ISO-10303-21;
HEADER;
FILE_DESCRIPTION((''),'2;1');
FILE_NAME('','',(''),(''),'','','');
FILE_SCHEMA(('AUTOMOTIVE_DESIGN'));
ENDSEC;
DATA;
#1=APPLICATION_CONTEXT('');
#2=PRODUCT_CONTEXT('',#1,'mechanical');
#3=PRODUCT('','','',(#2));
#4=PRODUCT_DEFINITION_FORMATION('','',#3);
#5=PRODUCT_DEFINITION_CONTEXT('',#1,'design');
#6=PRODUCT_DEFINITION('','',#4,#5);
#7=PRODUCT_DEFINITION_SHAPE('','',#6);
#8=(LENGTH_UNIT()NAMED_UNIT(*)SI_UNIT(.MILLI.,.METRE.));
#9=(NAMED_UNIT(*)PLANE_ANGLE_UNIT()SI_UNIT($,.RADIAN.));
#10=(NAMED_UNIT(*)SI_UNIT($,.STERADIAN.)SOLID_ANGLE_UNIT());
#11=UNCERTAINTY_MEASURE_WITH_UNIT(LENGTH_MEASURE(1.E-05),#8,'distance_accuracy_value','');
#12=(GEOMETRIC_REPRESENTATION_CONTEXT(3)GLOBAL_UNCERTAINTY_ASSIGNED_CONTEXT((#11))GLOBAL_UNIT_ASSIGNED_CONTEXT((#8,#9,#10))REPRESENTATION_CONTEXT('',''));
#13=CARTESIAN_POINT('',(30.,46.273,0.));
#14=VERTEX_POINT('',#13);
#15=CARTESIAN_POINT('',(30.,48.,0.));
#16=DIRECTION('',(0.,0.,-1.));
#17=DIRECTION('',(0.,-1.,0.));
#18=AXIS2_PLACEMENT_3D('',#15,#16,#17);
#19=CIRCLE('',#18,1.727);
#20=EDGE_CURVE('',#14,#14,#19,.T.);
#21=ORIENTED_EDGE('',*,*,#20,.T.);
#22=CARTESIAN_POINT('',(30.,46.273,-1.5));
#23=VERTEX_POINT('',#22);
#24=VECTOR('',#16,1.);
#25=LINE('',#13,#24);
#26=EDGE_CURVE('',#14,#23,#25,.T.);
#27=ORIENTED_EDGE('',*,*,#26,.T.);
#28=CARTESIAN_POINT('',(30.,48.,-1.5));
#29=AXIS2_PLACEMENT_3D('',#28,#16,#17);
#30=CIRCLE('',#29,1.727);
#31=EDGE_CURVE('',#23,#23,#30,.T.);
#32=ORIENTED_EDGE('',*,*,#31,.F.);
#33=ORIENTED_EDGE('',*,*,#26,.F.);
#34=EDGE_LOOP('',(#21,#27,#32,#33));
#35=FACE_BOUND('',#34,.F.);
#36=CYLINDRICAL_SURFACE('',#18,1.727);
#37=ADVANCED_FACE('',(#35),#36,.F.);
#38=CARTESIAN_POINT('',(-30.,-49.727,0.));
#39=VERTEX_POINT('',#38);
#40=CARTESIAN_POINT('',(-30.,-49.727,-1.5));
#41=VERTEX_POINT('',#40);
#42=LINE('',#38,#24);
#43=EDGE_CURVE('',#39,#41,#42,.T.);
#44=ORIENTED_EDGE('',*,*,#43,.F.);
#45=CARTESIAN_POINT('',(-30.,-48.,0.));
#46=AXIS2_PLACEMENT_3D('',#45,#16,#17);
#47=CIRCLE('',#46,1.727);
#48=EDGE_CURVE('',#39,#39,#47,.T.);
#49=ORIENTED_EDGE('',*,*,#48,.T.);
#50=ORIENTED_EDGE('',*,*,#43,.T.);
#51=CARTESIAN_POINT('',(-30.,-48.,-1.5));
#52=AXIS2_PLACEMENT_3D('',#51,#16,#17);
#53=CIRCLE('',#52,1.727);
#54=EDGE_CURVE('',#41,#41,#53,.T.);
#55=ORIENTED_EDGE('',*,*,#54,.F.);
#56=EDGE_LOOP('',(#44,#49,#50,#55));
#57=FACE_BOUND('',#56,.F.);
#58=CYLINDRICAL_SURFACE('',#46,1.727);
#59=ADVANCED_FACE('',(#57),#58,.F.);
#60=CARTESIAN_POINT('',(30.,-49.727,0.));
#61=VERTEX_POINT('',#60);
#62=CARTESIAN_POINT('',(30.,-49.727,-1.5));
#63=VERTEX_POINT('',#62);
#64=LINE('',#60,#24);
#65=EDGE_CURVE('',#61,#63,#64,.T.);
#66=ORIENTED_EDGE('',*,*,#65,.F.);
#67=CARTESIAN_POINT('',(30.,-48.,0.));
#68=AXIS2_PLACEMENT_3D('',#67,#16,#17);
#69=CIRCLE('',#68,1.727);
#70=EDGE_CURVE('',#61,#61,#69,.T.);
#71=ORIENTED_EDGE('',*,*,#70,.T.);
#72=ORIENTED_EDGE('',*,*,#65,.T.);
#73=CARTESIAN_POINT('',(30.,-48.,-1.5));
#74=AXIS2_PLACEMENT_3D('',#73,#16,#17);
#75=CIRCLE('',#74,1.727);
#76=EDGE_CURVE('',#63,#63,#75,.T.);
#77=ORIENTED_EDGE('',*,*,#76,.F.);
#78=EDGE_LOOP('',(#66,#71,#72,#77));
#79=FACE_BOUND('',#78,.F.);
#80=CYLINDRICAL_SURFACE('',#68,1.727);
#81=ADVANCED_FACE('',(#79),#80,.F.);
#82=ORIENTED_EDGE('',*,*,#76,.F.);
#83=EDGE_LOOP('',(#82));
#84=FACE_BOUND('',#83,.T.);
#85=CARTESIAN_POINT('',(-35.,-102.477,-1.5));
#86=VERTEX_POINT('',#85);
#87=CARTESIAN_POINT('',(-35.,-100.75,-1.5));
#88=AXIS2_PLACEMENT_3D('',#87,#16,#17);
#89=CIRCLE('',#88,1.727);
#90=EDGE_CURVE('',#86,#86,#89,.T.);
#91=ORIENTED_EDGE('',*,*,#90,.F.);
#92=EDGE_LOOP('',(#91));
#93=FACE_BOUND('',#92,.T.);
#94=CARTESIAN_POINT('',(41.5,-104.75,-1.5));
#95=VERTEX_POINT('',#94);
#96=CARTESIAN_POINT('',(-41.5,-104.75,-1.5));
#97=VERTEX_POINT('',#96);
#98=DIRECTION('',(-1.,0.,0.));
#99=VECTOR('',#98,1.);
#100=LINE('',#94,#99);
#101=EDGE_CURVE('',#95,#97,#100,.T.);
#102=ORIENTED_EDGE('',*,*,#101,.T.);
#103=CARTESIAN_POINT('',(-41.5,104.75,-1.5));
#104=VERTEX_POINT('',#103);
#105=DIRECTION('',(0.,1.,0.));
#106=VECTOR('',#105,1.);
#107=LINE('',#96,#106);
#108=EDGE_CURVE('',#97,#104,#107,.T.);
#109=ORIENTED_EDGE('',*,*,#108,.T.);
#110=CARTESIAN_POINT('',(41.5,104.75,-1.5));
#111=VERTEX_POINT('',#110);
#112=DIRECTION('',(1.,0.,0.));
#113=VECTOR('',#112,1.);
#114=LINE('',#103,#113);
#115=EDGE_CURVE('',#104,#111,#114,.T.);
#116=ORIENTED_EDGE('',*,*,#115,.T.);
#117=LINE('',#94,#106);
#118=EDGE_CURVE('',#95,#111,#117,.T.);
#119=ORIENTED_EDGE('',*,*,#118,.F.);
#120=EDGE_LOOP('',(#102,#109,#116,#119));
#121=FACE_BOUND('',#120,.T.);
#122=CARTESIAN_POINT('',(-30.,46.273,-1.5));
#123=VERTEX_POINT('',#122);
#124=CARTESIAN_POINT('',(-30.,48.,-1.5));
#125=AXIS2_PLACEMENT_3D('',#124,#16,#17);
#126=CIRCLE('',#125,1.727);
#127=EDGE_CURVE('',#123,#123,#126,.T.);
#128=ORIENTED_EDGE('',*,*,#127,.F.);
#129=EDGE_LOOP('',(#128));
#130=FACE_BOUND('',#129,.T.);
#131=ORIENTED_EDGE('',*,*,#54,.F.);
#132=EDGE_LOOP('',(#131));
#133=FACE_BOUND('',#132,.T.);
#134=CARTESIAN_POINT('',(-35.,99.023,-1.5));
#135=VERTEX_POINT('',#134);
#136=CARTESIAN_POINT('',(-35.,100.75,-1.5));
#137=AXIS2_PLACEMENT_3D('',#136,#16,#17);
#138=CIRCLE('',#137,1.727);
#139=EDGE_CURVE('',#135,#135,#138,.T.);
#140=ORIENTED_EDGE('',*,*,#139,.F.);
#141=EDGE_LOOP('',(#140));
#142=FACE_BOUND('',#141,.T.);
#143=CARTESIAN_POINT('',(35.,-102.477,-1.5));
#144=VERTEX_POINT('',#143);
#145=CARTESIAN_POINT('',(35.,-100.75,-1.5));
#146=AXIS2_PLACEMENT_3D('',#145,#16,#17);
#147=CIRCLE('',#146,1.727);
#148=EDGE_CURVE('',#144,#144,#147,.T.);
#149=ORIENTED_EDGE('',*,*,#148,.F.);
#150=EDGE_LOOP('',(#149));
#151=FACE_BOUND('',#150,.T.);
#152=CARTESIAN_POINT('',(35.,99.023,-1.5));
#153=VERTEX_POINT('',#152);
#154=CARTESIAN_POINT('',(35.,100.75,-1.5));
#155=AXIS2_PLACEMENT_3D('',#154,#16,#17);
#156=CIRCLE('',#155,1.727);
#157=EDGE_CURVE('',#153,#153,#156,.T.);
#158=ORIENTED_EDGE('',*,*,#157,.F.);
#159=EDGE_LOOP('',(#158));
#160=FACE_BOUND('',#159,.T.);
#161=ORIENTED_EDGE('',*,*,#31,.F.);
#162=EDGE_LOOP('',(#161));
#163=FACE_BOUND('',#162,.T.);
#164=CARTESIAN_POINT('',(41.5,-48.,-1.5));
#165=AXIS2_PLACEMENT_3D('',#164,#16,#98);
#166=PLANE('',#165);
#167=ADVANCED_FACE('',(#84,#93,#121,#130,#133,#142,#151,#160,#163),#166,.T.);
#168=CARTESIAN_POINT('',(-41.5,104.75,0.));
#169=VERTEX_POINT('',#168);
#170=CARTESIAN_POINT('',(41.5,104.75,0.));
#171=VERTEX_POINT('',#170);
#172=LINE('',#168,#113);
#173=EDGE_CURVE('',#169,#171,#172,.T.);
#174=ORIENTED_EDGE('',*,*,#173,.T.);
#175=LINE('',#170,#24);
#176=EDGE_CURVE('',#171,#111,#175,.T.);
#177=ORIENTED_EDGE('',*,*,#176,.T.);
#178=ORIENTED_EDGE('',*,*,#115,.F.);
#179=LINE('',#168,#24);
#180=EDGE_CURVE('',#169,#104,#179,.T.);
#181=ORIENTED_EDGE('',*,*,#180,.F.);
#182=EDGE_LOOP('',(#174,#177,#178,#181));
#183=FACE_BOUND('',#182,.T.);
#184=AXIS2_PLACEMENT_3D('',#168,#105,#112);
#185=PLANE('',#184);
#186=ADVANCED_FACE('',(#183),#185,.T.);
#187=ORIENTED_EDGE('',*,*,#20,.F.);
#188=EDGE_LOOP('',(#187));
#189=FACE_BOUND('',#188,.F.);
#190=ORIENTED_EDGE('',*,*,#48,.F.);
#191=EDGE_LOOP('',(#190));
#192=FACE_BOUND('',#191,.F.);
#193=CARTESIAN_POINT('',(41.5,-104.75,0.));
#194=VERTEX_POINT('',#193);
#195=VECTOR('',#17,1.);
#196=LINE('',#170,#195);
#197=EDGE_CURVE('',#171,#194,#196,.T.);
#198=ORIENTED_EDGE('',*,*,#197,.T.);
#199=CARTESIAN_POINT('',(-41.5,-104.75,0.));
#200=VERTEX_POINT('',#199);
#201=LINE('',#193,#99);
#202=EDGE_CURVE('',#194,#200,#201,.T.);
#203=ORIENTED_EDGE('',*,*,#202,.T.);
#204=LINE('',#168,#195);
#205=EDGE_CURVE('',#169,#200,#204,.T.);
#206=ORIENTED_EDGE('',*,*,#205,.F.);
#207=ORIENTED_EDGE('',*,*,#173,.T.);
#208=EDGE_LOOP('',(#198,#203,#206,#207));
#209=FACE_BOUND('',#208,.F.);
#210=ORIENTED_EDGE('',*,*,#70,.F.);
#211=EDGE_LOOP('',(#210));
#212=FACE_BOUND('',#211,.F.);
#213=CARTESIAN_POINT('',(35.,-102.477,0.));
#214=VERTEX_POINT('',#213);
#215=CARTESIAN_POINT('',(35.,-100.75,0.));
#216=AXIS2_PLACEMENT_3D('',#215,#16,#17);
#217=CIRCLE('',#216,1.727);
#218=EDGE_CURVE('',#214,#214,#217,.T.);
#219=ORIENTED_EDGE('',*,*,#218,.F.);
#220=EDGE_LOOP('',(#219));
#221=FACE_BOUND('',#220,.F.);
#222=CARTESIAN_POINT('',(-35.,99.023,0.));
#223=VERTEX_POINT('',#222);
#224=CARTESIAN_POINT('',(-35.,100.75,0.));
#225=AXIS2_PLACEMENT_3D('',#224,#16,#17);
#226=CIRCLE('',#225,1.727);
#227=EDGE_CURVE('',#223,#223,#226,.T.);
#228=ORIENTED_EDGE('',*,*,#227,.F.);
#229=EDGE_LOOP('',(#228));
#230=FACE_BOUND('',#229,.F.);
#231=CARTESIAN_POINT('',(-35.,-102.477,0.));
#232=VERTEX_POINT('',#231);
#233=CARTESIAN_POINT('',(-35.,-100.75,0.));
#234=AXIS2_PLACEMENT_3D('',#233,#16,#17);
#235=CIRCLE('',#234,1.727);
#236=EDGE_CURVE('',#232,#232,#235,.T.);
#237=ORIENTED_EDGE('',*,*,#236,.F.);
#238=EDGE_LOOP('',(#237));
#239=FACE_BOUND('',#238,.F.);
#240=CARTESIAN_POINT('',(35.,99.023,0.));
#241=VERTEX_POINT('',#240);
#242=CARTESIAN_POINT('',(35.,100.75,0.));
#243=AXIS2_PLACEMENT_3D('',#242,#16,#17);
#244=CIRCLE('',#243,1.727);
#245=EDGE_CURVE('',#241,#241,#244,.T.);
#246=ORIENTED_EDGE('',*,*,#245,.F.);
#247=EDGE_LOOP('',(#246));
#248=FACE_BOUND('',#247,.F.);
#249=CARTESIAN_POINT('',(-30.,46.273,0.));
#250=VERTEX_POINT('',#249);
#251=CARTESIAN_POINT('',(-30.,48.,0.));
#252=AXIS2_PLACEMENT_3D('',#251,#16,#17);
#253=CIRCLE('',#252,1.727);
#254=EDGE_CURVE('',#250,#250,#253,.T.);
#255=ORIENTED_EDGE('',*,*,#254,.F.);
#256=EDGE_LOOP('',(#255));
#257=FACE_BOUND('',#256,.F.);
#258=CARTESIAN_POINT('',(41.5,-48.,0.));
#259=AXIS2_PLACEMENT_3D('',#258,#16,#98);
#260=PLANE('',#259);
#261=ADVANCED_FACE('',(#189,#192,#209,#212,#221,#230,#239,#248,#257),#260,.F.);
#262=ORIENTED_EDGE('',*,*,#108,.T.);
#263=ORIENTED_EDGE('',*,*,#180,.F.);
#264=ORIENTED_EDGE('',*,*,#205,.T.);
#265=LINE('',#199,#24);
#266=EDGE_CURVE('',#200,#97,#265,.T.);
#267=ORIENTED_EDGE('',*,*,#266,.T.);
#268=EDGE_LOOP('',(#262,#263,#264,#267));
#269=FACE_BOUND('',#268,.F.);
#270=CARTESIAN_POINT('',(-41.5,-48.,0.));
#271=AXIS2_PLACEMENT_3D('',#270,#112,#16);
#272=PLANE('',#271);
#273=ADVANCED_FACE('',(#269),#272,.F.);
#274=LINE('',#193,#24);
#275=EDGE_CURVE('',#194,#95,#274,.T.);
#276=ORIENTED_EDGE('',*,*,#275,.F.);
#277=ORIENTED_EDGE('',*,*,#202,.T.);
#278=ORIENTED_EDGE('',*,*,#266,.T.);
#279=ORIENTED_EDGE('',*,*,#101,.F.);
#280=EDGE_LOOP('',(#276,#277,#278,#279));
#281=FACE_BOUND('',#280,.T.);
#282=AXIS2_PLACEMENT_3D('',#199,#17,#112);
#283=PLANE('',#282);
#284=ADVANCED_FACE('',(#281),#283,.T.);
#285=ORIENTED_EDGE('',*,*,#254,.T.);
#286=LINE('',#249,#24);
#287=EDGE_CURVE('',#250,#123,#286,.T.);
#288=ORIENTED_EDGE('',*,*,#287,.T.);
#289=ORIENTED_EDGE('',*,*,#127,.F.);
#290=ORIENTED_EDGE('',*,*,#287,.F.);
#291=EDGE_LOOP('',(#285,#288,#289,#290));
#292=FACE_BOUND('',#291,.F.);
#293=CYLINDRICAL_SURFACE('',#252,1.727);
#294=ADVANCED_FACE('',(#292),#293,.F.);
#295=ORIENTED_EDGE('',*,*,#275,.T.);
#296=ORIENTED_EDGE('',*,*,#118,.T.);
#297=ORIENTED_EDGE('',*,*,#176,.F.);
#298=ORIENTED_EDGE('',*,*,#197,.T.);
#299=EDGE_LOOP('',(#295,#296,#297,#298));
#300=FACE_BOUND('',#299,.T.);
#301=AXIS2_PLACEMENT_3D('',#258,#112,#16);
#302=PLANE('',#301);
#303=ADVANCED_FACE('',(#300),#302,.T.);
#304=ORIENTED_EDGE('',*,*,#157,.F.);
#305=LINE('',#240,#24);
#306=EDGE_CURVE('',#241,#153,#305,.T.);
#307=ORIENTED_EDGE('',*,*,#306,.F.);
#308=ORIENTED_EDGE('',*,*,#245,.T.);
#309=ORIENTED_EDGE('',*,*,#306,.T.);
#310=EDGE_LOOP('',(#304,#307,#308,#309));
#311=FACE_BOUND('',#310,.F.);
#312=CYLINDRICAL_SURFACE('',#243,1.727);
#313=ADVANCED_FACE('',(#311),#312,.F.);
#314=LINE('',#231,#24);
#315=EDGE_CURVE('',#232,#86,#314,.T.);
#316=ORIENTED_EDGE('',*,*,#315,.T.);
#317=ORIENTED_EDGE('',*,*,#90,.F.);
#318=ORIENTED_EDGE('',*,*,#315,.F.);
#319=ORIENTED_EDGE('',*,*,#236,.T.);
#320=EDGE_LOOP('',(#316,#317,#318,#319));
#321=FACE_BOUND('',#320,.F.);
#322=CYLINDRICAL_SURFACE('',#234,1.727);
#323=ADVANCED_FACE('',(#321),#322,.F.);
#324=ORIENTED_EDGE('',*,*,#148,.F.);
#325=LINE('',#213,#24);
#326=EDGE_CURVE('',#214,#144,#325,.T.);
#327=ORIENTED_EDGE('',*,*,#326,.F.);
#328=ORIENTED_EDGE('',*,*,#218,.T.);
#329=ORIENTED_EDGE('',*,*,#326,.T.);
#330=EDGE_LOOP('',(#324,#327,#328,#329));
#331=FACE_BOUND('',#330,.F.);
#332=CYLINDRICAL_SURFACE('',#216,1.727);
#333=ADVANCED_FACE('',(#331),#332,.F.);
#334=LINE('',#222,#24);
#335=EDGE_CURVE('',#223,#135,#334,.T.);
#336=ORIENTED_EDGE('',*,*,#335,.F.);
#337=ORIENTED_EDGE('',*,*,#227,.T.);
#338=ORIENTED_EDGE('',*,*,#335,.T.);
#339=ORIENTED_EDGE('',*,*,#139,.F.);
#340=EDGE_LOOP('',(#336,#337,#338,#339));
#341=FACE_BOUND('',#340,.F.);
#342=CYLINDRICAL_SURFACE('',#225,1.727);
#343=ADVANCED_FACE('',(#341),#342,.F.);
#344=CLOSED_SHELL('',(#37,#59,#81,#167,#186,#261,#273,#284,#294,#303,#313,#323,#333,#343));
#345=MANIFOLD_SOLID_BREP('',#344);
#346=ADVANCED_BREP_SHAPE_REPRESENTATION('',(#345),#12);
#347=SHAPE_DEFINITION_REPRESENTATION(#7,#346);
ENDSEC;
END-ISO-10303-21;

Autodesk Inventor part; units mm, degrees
ref_plane "YZ Plane" through (0, 0, 0) normal (1, 0, 0) x (0, 1, 0)
ref_plane "XZ Plane" through (0, 0, 0) normal (0, 1, 0) x (-1, 0, 0)
ref_plane "XY Plane" through (0, 0, 0) normal (0, 0, 1) x (1, 0, 0)
sketch "Sketch1" plane through (0, 0, 0) normal (0, 0, 1) x (1, 0, 0)
  line L0 (-41.5, 48) -> (41.5, 48)
  line L1 (41.5, 48) -> (41.5, -48)
  line L2 (41.5, -48) -> (-41.5, -48)
  line L3 (-41.5, -48) -> (-41.5, 48)
  point P0 (0, 0)
  dimension "d0" = 83
  dimension "d1" = 96
  dimension "d2" = 48
  dimension "d3" = 41.5
extrude "Extrusion1" add sketch "Sketch1" against normal blind 1.5
sketch "Sketch7" plane through (-41.5, 48, 0) normal (0, 1, 0) x (1, 0, 0)
  line L0 (0, 0) -> (83, 0) projected
  line L1 (83, 0) -> (83, 1.5) projected
  line L2 (0, 1.5) -> (83, 1.5) projected
  line L3 (0, 0) -> (0, 1.5) projected
  point P0 (41.5, 0)
extrude "Extrusion5" add sketch "Sketch7" along normal blind 56.75
sketch "Sketch8" plane through (-41.5, -48, 0) normal (0, -1, 0) x (1, 0, 0)
  line L0 (83, 0) -> (0, 0) projected
  line L1 (0, 0) -> (0, -1.5) projected
  line L2 (83, -1.5) -> (0, -1.5) projected
  line L3 (83, 0) -> (83, -1.5) projected
  point P0 (41.5, 0)
extrude "Extrusion6" add sketch "Sketch8" along normal blind 56.75
sketch "Sketch9" plane through (0, 0, 0) normal (0, 0, 1) x (1, 0, 0)
  circle A0 centre (35, -100.75) radius 3 projected
  circle A1 centre (-35, -100.75) radius 3 projected
  circle A2 centre (-30, -48) radius 3 projected
  circle A3 centre (30, -48) radius 3 projected
  circle A4 centre (30, 48) radius 3 projected
  circle A5 centre (-30, 48) radius 3 projected
  circle A6 centre (35, 100.75) radius 3 projected
  circle A7 centre (-35, 100.75) radius 3 projected
  point P0 (0, 0)
hole "Hole3" at (35, -100.75, 0) at (-35, -100.75, 0) at (30, -48, 0) at (-30, -48, 0) at (30, 48, 0) at (-30, 48, 0) at (35, 100.75, 0) at (-35, 100.75, 0) direction (0, 0, -1) diameter 3.454 end through all clearance for "Flat Head Machine Screw (82)" size "#4" standard "Ansi Unified Screw Threads"
equation "\"d2\" = 0.5 * d1"
equation "\"d3\" = 0.5 * d0"
properties part number "memesat shear panel type 2" material "Aluminum 6061"
